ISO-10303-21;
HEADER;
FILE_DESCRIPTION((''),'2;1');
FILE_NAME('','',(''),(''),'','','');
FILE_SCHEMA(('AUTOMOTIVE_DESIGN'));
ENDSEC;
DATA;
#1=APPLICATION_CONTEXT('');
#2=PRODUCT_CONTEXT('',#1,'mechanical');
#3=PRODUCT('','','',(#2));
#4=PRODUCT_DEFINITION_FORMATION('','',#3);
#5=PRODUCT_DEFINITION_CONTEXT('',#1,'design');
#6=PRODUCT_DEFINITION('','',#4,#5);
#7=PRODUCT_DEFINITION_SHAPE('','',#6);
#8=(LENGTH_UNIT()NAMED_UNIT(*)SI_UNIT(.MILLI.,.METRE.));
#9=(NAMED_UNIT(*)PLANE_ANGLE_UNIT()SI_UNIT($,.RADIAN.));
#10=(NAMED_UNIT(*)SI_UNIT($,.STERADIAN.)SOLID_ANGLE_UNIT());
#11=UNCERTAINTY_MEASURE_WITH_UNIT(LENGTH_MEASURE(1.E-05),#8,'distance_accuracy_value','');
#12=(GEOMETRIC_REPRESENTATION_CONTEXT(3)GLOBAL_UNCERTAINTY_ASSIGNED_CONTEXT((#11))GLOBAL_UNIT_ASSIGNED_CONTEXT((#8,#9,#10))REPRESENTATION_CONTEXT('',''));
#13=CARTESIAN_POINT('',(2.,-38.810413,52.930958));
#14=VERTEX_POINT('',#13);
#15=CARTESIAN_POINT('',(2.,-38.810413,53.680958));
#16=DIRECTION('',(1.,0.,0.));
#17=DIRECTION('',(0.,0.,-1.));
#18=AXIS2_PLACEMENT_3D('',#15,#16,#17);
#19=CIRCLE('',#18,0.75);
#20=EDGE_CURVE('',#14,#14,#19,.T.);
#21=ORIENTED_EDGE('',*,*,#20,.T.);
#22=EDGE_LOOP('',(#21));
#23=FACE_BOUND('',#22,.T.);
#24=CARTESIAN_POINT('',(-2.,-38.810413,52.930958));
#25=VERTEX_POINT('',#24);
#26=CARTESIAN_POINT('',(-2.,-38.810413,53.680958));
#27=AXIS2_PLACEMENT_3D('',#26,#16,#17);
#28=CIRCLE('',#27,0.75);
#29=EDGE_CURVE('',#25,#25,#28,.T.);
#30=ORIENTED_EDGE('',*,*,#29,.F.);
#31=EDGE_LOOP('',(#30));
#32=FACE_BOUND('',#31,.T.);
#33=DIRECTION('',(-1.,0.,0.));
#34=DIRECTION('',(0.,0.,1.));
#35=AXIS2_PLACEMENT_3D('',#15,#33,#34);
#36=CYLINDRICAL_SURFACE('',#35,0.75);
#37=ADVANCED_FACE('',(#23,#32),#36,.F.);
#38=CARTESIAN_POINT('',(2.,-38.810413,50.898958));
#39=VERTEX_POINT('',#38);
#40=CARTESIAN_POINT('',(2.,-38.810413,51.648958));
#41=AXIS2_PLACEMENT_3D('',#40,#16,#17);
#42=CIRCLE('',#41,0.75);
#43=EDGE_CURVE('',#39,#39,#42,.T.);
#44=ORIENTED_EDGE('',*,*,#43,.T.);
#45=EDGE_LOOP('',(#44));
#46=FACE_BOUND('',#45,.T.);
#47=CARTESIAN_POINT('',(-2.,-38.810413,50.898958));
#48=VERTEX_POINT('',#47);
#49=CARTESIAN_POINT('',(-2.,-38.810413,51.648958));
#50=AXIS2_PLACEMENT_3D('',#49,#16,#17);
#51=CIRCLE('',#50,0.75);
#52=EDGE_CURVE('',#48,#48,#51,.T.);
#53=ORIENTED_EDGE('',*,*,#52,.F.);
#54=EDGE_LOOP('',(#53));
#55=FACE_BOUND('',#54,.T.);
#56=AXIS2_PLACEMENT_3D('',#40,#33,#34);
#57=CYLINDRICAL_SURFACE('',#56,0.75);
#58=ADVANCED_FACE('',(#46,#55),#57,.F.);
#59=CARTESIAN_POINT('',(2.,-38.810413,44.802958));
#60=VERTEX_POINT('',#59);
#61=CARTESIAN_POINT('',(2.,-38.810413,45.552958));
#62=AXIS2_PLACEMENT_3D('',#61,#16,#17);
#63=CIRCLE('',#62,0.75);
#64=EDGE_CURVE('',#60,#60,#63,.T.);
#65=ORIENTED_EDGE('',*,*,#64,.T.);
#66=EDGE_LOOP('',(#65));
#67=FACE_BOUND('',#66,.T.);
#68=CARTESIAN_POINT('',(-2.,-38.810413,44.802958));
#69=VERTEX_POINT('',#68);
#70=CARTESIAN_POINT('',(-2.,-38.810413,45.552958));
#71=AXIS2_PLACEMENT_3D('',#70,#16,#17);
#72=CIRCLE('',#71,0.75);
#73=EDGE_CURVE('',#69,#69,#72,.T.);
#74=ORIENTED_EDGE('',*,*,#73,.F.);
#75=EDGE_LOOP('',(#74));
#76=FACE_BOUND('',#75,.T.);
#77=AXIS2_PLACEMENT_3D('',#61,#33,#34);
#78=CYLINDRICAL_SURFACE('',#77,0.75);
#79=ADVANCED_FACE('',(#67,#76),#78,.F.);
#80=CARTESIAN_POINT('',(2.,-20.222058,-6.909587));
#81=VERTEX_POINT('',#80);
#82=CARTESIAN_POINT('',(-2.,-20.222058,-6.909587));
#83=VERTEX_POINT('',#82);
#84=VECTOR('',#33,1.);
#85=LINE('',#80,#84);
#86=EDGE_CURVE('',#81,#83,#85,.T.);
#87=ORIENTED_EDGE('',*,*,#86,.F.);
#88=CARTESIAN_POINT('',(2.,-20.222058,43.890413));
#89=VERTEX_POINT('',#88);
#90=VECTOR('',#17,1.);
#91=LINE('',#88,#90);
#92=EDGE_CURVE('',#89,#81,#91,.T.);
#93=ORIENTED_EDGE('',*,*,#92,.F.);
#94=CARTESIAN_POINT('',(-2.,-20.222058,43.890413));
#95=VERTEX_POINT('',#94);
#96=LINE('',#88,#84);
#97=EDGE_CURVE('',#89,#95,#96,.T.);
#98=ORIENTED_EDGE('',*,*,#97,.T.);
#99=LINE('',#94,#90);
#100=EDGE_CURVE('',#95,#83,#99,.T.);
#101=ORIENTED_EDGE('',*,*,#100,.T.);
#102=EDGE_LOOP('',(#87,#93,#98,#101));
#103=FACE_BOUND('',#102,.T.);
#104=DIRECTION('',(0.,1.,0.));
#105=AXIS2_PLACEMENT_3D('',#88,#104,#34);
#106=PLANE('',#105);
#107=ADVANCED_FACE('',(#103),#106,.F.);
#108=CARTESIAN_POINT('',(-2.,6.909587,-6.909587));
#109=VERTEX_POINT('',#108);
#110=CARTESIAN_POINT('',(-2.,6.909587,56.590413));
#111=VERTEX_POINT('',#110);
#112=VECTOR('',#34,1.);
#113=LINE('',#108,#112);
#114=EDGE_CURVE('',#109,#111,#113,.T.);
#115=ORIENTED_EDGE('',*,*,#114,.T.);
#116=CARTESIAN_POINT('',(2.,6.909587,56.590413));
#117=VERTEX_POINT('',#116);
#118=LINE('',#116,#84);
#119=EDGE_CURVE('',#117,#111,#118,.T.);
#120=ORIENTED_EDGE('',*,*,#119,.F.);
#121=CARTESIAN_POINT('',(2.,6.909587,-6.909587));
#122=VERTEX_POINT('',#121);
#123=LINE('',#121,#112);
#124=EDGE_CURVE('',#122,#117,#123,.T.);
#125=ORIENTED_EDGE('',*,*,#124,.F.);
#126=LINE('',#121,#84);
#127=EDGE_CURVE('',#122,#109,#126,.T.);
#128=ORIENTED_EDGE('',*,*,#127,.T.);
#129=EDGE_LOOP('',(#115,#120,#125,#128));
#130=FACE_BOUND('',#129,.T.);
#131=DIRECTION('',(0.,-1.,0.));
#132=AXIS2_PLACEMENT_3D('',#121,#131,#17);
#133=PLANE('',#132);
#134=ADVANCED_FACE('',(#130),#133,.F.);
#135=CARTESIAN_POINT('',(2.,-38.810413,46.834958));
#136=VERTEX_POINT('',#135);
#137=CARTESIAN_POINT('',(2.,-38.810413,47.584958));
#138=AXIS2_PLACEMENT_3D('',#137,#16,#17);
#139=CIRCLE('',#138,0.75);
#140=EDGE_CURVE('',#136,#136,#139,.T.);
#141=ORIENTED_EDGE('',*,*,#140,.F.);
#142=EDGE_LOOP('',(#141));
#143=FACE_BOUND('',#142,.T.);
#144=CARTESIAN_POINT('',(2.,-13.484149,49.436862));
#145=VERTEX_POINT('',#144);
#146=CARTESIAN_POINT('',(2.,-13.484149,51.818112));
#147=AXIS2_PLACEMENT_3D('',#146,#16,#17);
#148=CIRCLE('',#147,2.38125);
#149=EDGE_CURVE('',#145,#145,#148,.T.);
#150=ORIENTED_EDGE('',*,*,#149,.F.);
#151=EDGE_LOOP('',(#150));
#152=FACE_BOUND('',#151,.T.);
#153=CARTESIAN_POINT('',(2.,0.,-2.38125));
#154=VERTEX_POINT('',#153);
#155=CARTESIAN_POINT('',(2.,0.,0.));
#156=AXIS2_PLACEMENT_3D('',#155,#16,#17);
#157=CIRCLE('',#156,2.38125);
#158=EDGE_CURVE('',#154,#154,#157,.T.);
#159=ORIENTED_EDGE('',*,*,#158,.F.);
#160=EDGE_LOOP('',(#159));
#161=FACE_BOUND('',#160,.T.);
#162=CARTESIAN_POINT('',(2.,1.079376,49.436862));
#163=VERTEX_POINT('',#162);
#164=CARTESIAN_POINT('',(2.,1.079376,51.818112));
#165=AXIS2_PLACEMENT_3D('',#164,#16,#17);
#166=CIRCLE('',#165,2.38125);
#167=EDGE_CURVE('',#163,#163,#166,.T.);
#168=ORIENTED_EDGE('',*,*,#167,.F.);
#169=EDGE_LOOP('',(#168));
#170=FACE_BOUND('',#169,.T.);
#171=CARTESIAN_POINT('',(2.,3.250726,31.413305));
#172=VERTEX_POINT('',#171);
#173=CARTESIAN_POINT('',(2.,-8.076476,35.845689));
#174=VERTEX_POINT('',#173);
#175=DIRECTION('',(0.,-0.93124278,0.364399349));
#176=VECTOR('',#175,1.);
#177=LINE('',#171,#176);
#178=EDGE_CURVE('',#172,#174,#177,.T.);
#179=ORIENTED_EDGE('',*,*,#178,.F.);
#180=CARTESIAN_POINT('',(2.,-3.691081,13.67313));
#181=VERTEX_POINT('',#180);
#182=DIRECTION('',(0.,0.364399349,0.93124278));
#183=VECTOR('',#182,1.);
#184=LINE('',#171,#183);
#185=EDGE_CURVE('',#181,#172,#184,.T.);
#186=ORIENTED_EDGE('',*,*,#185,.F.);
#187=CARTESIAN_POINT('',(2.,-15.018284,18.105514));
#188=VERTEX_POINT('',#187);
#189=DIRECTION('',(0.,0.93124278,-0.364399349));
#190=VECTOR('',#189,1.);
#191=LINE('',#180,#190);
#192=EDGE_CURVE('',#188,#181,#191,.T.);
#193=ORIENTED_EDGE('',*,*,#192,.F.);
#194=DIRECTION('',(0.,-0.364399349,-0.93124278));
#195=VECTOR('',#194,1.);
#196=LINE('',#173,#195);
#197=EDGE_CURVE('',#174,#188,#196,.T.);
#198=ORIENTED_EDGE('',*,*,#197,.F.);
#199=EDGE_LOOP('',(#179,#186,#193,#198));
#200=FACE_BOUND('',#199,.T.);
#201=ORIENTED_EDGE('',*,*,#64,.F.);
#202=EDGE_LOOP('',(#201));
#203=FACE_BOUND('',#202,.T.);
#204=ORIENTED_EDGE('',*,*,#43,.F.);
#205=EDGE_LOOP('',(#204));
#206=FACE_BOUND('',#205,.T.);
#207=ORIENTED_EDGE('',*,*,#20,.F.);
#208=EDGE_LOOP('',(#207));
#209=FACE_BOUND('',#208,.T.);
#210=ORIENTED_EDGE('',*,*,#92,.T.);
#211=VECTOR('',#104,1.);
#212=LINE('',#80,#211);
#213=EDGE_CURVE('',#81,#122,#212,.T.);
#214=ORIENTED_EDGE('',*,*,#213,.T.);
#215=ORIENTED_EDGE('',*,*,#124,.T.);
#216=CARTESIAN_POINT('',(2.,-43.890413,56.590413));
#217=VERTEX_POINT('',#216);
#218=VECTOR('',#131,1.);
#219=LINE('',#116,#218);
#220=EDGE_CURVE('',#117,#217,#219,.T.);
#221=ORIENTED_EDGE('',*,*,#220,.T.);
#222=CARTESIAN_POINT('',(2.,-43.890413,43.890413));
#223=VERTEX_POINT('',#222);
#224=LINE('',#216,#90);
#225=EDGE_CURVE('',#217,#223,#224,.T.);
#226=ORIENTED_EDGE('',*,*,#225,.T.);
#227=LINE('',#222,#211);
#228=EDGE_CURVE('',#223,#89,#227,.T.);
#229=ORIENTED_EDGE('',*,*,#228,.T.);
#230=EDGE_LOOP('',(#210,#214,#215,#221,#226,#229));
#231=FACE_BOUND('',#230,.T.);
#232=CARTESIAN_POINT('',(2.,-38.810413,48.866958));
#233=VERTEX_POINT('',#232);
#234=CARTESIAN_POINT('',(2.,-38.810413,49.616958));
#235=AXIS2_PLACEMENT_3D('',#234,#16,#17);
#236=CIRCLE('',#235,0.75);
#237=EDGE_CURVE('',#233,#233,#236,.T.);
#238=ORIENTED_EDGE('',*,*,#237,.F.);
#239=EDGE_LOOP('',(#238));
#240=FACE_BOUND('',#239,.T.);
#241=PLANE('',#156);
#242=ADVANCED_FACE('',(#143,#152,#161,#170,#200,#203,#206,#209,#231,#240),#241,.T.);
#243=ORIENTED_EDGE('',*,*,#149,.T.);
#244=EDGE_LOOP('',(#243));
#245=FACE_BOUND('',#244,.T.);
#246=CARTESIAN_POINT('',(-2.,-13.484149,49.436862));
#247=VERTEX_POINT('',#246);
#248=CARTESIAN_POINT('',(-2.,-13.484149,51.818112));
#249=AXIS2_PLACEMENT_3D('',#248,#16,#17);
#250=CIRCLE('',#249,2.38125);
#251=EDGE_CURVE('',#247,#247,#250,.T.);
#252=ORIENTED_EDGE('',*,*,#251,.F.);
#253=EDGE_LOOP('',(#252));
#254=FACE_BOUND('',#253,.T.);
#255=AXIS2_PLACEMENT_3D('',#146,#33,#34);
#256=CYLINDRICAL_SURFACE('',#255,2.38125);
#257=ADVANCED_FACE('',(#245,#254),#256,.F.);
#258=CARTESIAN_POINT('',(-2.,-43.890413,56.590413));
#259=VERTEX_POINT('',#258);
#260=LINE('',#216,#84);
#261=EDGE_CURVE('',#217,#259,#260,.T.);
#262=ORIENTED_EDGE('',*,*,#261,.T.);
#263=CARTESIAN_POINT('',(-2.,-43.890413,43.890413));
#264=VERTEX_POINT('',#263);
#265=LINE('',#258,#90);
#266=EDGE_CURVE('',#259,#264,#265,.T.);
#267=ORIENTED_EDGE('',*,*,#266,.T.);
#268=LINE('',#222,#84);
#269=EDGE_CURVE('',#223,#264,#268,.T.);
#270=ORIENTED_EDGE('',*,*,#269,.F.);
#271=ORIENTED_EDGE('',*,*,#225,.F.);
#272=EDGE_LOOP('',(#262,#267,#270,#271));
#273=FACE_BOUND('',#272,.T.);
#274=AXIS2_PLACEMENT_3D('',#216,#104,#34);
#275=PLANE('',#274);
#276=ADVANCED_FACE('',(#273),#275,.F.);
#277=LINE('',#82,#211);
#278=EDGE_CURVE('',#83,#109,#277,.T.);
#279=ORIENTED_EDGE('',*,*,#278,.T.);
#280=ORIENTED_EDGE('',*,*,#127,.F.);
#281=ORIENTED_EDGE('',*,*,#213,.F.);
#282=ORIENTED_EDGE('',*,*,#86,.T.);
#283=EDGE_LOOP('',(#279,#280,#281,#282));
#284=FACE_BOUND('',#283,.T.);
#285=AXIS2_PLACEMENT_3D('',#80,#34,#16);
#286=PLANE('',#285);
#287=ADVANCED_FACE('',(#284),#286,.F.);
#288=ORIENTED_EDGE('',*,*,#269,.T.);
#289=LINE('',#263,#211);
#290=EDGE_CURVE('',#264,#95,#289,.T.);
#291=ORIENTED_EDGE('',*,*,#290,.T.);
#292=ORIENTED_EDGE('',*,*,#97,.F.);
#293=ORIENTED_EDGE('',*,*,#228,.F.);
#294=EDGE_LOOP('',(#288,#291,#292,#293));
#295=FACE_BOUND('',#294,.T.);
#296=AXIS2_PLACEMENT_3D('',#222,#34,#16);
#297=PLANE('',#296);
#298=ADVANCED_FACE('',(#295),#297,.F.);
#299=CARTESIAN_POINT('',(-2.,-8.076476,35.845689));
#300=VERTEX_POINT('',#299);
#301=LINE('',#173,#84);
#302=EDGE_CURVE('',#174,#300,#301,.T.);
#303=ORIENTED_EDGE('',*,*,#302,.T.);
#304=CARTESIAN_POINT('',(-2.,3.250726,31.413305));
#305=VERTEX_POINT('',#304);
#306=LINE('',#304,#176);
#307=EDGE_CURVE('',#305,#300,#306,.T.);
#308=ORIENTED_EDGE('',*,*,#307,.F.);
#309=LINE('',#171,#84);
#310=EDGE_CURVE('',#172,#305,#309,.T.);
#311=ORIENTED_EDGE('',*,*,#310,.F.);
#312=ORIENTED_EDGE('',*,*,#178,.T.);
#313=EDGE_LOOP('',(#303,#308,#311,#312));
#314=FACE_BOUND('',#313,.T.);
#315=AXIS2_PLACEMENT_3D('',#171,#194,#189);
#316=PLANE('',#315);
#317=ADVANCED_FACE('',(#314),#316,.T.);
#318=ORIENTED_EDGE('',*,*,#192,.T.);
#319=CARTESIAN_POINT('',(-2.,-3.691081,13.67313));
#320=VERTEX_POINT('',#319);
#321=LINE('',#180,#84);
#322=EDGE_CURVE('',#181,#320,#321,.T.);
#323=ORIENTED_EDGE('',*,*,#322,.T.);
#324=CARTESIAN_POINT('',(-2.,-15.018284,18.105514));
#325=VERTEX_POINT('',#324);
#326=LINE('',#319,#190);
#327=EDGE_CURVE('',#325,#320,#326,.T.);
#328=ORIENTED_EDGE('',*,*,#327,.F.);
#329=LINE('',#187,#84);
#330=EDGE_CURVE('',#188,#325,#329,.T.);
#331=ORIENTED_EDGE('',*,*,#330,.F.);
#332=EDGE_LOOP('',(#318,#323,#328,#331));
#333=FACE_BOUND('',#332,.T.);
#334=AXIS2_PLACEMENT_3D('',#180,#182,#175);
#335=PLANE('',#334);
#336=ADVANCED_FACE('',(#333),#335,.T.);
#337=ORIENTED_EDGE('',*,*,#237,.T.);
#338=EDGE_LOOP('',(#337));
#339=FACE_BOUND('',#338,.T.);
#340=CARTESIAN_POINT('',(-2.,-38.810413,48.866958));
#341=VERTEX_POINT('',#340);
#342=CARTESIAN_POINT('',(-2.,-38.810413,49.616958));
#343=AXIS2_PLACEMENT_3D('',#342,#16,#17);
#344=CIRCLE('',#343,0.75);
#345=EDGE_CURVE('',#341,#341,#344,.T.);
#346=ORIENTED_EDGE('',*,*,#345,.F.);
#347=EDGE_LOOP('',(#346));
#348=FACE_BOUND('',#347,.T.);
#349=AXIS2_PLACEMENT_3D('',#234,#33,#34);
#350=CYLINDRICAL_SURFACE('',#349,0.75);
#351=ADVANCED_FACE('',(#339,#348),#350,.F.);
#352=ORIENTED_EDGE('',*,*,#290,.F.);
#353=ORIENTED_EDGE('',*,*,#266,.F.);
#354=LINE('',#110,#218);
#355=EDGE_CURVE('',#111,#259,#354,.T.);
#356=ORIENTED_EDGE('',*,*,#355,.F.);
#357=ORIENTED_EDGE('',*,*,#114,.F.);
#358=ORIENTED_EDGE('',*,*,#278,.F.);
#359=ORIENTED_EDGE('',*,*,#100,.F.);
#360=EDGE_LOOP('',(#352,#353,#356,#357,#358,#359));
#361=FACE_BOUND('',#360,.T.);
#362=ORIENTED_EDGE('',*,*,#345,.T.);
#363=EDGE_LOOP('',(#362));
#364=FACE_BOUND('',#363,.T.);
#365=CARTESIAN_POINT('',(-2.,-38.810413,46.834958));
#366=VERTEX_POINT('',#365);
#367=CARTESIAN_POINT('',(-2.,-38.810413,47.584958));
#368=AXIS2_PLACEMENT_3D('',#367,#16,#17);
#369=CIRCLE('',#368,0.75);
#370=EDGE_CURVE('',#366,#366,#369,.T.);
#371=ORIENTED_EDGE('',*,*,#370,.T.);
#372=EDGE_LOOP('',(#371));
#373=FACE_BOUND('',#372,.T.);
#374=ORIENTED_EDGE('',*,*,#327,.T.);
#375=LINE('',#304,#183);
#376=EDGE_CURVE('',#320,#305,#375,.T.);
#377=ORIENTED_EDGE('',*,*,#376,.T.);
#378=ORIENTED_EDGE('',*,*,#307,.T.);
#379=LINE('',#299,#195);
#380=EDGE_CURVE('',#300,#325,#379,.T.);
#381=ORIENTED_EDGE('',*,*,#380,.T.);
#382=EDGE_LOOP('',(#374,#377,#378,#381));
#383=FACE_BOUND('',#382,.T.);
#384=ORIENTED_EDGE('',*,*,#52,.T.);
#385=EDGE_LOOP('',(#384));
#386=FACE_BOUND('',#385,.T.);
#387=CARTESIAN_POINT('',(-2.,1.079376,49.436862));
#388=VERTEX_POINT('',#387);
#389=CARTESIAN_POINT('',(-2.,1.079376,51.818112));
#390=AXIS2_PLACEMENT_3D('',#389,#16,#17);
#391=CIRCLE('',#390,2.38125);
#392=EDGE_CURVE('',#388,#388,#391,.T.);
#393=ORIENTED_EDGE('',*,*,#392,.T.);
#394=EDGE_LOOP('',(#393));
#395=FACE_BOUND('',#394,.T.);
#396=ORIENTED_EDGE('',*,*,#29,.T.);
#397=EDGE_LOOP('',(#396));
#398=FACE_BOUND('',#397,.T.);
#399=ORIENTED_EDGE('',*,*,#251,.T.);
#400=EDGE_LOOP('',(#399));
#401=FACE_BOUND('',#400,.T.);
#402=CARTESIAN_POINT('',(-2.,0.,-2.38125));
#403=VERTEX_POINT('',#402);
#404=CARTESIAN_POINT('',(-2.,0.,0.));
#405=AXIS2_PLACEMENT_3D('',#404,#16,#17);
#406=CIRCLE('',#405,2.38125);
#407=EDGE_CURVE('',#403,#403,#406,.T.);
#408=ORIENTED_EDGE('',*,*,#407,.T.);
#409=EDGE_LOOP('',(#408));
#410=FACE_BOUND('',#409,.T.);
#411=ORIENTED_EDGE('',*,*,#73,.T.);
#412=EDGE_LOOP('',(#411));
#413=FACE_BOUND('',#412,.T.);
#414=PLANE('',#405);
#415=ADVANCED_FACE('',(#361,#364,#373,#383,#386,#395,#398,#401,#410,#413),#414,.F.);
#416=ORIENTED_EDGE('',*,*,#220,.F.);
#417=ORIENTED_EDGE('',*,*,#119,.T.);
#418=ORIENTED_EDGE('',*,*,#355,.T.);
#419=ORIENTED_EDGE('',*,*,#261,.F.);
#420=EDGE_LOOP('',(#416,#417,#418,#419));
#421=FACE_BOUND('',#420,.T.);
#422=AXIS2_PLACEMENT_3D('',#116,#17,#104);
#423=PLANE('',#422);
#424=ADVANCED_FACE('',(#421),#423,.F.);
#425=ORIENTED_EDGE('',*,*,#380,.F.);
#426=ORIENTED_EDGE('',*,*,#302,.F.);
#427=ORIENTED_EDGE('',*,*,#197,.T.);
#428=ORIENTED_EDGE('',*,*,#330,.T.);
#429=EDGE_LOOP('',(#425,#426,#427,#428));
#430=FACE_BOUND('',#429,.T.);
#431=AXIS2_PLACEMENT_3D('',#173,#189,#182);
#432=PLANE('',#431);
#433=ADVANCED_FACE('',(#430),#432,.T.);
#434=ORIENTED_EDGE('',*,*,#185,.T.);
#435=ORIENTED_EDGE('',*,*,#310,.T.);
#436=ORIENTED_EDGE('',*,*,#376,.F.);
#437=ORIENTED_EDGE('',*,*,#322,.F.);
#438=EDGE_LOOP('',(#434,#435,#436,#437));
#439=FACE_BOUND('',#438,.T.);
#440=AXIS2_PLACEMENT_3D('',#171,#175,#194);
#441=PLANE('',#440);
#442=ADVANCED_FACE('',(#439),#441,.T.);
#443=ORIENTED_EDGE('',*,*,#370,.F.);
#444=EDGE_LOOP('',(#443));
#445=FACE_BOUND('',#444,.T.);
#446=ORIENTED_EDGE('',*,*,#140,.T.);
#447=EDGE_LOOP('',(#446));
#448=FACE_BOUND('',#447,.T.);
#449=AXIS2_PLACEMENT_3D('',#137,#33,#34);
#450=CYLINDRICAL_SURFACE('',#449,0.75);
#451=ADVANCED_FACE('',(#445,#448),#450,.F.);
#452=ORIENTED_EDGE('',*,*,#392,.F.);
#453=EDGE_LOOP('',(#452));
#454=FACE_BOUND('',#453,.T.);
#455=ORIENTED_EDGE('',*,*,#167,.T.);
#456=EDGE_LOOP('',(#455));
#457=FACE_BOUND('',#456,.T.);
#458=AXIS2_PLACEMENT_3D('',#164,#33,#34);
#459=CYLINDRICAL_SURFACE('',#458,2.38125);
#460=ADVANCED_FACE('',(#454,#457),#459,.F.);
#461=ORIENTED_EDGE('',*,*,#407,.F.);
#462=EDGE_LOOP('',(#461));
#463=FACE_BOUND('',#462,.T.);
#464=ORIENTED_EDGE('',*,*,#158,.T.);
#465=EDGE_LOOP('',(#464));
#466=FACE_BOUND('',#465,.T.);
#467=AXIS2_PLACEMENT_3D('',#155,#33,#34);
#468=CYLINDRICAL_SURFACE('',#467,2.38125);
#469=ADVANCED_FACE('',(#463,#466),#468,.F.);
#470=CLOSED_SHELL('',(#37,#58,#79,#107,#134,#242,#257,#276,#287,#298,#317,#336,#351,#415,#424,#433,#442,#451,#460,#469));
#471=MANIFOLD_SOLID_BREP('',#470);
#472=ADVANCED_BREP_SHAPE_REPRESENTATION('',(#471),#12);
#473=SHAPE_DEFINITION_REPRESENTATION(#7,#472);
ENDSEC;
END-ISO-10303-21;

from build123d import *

# Parameters (mm, degrees)
SKETCH1_R           = 2.38125
SKETCH1_R_2         = 0.75
BOSS_EXTRUDE1_DEPTH = 2


with BuildPart() as part:
    # Sketch1 → Boss-Extrude1 (new, symmetric)
    with BuildSketch(Plane(origin=(0, 0, 0), x_dir=(0, 0, -1), z_dir=(1, 0, 0))):
        Polygon((6.909587278, 6.909587278), (-56.590412722, 6.909587278), (-56.590412722, -43.890412722), (-43.890412722, -43.890412722), (-43.890412722, -20.222057583), (6.909587278, -20.222057583), align=None)
        Circle(SKETCH1_R, mode=Mode.SUBTRACT)
        with Locations((-45.552958224, -38.810412722)):
            Circle(SKETCH1_R_2, mode=Mode.SUBTRACT)
        with Locations((-47.584958224, -38.810412722)):
            Circle(SKETCH1_R_2, mode=Mode.SUBTRACT)
        with Locations((-49.616958224, -38.810412722)):
            Circle(SKETCH1_R_2, mode=Mode.SUBTRACT)
        with Locations((-51.648958224, -38.810412722)):
            Circle(SKETCH1_R_2, mode=Mode.SUBTRACT)
        with Locations((-51.818112153, -13.484149416)):
            Circle(SKETCH1_R, mode=Mode.SUBTRACT)
        with Locations((-51.818112153, 1.079375692)):
            Circle(SKETCH1_R, mode=Mode.SUBTRACT)
        with Locations((-53.680958224, -38.810412722)):
            Circle(SKETCH1_R_2, mode=Mode.SUBTRACT)
        Polygon((-31.413305249, 3.250726227), (-13.673130295, -3.691081364), (-18.105513832, -15.018283734), (-35.845688785, -8.076476144), align=None, mode=Mode.SUBTRACT)
    extrude(amount=BOSS_EXTRUDE1_DEPTH, both=True)


solid = part.part
